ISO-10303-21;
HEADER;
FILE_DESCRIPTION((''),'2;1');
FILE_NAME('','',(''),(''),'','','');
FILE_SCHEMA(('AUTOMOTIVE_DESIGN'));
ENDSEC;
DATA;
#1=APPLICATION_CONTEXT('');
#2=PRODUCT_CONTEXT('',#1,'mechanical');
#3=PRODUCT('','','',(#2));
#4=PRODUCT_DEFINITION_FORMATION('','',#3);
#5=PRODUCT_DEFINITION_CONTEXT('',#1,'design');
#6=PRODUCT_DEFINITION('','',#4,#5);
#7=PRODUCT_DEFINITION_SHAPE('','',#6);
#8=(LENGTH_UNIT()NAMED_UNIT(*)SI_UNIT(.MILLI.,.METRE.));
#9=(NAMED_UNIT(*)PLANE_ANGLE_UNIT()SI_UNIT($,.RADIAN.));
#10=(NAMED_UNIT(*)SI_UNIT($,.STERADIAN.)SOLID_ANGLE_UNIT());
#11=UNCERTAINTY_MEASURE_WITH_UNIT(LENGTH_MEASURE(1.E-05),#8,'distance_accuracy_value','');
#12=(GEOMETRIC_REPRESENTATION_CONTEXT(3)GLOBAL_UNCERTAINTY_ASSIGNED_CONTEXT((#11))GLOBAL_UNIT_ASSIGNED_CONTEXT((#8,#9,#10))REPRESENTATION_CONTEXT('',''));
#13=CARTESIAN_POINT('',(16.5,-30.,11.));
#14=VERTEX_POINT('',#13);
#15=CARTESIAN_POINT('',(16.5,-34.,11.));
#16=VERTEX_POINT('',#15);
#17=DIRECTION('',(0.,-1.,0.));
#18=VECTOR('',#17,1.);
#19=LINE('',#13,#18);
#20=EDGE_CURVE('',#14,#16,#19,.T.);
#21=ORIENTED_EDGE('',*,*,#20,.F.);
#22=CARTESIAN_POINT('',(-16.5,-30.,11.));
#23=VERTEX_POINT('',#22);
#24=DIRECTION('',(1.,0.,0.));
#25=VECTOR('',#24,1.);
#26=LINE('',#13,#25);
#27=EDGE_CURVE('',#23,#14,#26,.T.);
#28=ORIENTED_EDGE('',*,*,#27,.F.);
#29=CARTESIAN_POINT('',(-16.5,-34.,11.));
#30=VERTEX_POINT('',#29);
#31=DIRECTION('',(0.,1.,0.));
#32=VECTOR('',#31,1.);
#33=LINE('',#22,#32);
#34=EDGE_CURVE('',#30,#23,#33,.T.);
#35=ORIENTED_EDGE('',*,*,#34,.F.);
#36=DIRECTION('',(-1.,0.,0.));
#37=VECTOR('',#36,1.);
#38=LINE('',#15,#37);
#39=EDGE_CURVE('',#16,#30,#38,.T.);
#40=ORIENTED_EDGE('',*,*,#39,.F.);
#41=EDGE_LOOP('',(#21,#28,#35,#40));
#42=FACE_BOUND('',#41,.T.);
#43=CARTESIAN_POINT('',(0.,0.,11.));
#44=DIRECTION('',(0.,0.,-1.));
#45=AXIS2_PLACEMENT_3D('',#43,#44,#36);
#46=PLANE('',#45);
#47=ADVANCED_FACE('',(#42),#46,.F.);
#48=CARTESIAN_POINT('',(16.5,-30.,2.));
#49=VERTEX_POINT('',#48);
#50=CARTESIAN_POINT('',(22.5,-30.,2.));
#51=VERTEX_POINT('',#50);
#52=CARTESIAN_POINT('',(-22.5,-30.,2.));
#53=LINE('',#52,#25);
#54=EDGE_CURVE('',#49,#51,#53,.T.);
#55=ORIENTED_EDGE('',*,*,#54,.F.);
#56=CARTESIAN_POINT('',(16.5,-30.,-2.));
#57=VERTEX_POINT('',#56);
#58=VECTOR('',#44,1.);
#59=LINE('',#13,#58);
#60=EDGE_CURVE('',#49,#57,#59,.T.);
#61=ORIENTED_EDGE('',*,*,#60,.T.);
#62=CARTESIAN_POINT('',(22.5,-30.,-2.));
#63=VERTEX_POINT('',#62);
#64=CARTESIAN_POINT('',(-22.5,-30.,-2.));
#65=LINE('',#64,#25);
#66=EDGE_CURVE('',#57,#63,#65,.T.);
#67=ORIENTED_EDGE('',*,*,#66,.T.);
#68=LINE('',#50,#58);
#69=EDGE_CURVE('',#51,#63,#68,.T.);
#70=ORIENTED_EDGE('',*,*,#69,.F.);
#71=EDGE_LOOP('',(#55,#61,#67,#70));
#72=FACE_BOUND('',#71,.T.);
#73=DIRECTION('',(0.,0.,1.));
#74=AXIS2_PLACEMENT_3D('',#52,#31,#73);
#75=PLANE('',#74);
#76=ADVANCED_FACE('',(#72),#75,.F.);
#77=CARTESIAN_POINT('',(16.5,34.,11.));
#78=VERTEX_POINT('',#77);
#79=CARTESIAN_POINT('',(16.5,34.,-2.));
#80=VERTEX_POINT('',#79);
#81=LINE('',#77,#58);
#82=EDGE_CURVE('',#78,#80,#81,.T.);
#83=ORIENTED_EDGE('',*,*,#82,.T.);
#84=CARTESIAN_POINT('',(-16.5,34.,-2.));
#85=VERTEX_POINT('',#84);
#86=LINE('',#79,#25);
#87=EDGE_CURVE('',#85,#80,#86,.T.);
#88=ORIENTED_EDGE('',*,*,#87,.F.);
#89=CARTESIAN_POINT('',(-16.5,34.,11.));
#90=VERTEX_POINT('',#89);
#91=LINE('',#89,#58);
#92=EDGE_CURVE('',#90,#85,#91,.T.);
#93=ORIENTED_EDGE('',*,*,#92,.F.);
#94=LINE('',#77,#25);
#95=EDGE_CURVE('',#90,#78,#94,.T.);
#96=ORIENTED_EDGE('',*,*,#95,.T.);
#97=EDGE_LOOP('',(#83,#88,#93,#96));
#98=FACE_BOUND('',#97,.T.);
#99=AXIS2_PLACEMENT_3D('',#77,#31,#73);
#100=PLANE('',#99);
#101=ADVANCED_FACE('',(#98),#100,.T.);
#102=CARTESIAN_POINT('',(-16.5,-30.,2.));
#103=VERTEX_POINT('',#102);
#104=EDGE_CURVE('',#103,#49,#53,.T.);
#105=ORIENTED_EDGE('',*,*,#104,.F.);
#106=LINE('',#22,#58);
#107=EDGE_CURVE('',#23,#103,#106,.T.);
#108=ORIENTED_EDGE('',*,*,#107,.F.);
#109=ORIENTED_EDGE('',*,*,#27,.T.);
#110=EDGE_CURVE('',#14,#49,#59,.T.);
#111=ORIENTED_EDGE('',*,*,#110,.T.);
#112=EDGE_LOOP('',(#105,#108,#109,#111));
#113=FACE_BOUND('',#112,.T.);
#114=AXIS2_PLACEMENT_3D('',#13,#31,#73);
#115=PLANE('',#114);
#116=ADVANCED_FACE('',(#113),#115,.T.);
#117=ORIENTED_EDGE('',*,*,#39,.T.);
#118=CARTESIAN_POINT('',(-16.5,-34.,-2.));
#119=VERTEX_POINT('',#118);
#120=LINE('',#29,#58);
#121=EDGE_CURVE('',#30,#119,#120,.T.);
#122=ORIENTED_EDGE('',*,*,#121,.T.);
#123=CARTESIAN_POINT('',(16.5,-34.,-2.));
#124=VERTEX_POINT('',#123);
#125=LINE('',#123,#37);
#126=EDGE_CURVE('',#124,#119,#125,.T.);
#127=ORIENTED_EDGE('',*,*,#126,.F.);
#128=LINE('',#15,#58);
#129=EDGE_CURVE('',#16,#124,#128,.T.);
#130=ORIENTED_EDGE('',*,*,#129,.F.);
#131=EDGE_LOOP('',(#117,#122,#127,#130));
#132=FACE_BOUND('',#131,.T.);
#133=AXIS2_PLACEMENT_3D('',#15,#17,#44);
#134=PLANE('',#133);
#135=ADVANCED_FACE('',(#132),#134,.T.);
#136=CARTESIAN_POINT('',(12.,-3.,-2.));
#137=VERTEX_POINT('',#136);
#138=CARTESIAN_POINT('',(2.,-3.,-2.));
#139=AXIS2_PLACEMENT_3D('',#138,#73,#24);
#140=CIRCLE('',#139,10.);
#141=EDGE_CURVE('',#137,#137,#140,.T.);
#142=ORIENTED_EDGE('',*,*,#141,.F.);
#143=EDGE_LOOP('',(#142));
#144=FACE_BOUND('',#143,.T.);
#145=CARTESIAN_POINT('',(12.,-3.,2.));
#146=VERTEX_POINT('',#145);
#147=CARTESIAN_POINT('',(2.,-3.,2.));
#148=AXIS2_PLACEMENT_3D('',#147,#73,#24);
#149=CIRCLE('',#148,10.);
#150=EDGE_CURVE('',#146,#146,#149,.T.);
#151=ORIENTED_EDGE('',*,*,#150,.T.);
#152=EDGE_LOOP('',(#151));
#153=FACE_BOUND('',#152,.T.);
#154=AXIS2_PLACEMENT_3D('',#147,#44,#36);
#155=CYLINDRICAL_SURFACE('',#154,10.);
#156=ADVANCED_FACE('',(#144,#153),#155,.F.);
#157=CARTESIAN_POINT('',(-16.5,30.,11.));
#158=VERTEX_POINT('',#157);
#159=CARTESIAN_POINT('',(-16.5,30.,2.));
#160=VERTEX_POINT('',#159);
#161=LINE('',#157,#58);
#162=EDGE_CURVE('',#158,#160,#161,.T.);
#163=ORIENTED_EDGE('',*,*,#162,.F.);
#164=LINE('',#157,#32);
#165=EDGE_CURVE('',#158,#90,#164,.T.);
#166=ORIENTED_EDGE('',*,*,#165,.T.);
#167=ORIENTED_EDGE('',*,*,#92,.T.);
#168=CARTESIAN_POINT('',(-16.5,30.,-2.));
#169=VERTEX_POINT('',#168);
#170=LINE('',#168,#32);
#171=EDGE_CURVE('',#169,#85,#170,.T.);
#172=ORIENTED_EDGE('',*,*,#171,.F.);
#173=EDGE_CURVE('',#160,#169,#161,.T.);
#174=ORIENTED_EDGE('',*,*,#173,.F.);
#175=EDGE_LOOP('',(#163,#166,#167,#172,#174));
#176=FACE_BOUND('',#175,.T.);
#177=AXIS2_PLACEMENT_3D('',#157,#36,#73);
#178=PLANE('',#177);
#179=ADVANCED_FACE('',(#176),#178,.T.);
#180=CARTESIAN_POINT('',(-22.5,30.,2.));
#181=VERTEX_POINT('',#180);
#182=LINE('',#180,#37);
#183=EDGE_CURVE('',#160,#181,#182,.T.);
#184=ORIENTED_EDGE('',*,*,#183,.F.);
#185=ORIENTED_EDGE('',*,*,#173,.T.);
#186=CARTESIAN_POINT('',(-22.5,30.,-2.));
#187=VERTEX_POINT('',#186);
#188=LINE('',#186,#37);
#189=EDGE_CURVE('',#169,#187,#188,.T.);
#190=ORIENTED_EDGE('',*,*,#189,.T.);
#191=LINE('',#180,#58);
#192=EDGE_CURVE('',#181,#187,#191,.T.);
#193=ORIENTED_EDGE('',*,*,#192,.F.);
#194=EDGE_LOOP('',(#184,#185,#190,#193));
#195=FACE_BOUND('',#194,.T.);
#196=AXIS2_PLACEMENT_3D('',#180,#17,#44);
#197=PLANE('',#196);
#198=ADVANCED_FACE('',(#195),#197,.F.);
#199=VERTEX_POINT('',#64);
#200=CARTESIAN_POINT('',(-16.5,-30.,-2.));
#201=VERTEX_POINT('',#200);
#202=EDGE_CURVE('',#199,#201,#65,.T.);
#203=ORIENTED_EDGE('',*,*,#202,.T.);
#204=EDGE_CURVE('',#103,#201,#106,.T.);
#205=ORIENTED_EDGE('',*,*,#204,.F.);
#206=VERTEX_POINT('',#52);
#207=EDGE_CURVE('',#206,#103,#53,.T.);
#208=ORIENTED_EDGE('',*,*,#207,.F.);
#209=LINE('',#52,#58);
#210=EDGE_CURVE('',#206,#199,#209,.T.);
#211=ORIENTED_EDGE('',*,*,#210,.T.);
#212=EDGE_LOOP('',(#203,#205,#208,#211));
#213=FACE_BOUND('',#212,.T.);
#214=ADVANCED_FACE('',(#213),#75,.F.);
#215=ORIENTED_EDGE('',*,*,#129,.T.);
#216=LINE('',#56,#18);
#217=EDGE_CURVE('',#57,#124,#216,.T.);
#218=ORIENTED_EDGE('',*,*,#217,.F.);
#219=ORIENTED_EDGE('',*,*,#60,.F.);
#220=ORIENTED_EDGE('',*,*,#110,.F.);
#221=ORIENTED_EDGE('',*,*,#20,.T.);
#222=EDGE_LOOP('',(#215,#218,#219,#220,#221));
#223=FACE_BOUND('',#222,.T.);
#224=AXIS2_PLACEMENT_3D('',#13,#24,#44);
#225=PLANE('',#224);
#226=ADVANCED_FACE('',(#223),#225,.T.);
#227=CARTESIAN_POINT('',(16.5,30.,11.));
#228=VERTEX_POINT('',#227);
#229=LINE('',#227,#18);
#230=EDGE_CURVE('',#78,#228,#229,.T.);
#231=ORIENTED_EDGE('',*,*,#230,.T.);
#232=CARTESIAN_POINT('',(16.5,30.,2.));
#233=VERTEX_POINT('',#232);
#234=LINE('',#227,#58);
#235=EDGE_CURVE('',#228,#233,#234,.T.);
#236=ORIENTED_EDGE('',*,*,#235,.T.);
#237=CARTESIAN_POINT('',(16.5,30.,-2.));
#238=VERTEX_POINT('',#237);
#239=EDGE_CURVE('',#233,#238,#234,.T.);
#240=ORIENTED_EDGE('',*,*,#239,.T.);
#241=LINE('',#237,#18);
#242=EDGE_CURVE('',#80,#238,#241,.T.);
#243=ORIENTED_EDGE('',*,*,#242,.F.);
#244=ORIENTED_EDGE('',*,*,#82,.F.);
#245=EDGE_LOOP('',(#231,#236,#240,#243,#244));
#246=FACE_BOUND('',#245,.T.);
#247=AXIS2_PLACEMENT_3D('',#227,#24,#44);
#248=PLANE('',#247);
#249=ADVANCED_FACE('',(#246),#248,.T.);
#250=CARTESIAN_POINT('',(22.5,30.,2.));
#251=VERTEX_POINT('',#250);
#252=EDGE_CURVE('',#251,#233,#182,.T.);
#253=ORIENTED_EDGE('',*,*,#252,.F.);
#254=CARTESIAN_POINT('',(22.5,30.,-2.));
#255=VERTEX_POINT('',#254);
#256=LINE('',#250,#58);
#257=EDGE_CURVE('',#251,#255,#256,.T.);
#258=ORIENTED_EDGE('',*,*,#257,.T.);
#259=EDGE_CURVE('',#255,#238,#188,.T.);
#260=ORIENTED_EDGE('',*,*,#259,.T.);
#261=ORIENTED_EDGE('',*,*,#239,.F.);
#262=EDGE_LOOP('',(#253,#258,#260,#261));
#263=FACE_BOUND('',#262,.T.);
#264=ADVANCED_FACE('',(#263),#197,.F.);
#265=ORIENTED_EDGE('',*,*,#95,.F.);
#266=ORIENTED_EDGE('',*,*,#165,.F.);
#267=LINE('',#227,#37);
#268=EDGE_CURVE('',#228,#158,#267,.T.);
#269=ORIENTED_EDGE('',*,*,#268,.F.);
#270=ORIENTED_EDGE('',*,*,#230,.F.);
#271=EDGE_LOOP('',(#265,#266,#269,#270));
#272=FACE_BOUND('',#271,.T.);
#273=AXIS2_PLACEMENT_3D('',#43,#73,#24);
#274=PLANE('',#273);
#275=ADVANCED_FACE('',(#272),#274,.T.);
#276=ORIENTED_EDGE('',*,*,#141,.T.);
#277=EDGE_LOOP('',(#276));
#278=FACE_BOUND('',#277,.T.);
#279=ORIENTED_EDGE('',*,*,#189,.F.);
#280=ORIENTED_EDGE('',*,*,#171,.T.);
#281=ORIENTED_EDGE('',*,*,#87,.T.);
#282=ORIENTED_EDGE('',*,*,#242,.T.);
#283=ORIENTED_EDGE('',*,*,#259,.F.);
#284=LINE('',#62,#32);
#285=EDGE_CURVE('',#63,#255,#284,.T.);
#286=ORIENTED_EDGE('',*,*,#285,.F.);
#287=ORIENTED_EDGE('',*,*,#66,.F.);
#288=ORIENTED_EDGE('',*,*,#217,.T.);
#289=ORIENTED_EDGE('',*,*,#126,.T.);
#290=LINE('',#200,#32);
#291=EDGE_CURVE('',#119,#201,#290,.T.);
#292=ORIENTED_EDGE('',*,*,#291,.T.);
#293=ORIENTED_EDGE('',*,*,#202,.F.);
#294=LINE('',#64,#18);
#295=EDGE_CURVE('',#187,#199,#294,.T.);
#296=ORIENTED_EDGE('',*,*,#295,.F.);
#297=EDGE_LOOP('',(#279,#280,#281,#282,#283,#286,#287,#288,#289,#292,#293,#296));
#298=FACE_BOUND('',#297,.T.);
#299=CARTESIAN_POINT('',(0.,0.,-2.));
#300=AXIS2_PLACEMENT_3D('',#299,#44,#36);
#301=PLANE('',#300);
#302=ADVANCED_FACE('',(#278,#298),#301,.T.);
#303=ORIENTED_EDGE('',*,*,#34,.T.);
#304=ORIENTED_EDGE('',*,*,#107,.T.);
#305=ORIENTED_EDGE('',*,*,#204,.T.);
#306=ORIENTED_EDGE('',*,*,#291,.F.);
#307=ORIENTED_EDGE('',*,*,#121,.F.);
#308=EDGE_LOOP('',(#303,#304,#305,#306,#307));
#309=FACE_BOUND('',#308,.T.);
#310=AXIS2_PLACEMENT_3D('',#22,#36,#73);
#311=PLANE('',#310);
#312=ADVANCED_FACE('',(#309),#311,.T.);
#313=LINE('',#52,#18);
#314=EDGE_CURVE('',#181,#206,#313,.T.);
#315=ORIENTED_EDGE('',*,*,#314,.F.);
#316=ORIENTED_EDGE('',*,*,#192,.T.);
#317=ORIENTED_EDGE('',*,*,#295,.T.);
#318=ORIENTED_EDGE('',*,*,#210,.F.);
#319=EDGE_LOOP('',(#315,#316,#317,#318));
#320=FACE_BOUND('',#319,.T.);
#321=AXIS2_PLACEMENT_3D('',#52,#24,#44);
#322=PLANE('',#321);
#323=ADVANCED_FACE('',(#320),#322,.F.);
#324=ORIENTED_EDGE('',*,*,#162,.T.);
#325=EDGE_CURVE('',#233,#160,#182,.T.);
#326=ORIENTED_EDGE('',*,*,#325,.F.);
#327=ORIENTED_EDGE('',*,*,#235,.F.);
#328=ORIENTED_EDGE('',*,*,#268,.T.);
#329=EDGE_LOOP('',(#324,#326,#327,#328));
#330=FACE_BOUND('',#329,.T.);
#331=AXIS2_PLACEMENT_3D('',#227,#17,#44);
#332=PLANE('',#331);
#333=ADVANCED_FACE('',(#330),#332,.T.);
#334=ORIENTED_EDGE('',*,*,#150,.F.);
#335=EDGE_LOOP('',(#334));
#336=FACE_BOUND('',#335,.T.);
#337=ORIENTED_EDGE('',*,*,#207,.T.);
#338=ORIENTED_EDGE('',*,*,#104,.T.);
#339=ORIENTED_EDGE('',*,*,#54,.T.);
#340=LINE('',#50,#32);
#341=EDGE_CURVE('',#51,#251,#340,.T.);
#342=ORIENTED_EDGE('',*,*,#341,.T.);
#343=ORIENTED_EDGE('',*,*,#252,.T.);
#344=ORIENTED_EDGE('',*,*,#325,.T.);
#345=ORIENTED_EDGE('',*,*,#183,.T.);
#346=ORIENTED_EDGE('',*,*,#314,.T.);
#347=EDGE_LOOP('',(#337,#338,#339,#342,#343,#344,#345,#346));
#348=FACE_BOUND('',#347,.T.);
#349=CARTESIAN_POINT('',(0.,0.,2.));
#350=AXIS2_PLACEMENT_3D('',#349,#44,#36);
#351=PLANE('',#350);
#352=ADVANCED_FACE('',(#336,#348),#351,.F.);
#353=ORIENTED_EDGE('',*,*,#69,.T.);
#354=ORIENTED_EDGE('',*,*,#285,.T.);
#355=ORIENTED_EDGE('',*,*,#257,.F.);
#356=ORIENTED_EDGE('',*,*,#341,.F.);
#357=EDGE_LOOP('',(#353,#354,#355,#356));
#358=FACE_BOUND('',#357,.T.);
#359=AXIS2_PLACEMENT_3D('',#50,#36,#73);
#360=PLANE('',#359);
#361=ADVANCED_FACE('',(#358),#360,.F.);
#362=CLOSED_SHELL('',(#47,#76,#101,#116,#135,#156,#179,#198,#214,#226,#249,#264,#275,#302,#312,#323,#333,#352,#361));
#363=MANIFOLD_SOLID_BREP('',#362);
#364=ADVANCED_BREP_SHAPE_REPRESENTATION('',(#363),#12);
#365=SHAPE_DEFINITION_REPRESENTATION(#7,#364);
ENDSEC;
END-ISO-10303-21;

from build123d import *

# Parameters (mm, degrees)
SKETCH1_W           = 45
SKETCH1_H           = 60
SKETCH1_R           = 10
BOSS_EXTRUDE1_DEPTH = 2
SKETCH3_W           = 33
SKETCH3_H           = 4
BOSS_EXTRUDE3_DEPTH = 13


with BuildPart() as part:
    # Sketch1 → Boss-Extrude1 (new, symmetric)
    with BuildSketch(Plane.XY):
        Rectangle(SKETCH1_W, SKETCH1_H)
        with Locations((2, -3)):
            Circle(SKETCH1_R, mode=Mode.SUBTRACT)
    extrude(amount=BOSS_EXTRUDE1_DEPTH, both=True)

    # Sketch3 → Boss-Extrude3 (add)
    with BuildSketch(Plane(origin=(0, 0, -2), x_dir=(-1, 0, 0), z_dir=(0, 0, -1))):
        with Locations((0, 32)):
            Rectangle(SKETCH3_W, SKETCH3_H)
        with Locations((0, -32)):
            Rectangle(SKETCH3_W, SKETCH3_H)
    extrude(amount=-BOSS_EXTRUDE3_DEPTH)


solid = part.part
